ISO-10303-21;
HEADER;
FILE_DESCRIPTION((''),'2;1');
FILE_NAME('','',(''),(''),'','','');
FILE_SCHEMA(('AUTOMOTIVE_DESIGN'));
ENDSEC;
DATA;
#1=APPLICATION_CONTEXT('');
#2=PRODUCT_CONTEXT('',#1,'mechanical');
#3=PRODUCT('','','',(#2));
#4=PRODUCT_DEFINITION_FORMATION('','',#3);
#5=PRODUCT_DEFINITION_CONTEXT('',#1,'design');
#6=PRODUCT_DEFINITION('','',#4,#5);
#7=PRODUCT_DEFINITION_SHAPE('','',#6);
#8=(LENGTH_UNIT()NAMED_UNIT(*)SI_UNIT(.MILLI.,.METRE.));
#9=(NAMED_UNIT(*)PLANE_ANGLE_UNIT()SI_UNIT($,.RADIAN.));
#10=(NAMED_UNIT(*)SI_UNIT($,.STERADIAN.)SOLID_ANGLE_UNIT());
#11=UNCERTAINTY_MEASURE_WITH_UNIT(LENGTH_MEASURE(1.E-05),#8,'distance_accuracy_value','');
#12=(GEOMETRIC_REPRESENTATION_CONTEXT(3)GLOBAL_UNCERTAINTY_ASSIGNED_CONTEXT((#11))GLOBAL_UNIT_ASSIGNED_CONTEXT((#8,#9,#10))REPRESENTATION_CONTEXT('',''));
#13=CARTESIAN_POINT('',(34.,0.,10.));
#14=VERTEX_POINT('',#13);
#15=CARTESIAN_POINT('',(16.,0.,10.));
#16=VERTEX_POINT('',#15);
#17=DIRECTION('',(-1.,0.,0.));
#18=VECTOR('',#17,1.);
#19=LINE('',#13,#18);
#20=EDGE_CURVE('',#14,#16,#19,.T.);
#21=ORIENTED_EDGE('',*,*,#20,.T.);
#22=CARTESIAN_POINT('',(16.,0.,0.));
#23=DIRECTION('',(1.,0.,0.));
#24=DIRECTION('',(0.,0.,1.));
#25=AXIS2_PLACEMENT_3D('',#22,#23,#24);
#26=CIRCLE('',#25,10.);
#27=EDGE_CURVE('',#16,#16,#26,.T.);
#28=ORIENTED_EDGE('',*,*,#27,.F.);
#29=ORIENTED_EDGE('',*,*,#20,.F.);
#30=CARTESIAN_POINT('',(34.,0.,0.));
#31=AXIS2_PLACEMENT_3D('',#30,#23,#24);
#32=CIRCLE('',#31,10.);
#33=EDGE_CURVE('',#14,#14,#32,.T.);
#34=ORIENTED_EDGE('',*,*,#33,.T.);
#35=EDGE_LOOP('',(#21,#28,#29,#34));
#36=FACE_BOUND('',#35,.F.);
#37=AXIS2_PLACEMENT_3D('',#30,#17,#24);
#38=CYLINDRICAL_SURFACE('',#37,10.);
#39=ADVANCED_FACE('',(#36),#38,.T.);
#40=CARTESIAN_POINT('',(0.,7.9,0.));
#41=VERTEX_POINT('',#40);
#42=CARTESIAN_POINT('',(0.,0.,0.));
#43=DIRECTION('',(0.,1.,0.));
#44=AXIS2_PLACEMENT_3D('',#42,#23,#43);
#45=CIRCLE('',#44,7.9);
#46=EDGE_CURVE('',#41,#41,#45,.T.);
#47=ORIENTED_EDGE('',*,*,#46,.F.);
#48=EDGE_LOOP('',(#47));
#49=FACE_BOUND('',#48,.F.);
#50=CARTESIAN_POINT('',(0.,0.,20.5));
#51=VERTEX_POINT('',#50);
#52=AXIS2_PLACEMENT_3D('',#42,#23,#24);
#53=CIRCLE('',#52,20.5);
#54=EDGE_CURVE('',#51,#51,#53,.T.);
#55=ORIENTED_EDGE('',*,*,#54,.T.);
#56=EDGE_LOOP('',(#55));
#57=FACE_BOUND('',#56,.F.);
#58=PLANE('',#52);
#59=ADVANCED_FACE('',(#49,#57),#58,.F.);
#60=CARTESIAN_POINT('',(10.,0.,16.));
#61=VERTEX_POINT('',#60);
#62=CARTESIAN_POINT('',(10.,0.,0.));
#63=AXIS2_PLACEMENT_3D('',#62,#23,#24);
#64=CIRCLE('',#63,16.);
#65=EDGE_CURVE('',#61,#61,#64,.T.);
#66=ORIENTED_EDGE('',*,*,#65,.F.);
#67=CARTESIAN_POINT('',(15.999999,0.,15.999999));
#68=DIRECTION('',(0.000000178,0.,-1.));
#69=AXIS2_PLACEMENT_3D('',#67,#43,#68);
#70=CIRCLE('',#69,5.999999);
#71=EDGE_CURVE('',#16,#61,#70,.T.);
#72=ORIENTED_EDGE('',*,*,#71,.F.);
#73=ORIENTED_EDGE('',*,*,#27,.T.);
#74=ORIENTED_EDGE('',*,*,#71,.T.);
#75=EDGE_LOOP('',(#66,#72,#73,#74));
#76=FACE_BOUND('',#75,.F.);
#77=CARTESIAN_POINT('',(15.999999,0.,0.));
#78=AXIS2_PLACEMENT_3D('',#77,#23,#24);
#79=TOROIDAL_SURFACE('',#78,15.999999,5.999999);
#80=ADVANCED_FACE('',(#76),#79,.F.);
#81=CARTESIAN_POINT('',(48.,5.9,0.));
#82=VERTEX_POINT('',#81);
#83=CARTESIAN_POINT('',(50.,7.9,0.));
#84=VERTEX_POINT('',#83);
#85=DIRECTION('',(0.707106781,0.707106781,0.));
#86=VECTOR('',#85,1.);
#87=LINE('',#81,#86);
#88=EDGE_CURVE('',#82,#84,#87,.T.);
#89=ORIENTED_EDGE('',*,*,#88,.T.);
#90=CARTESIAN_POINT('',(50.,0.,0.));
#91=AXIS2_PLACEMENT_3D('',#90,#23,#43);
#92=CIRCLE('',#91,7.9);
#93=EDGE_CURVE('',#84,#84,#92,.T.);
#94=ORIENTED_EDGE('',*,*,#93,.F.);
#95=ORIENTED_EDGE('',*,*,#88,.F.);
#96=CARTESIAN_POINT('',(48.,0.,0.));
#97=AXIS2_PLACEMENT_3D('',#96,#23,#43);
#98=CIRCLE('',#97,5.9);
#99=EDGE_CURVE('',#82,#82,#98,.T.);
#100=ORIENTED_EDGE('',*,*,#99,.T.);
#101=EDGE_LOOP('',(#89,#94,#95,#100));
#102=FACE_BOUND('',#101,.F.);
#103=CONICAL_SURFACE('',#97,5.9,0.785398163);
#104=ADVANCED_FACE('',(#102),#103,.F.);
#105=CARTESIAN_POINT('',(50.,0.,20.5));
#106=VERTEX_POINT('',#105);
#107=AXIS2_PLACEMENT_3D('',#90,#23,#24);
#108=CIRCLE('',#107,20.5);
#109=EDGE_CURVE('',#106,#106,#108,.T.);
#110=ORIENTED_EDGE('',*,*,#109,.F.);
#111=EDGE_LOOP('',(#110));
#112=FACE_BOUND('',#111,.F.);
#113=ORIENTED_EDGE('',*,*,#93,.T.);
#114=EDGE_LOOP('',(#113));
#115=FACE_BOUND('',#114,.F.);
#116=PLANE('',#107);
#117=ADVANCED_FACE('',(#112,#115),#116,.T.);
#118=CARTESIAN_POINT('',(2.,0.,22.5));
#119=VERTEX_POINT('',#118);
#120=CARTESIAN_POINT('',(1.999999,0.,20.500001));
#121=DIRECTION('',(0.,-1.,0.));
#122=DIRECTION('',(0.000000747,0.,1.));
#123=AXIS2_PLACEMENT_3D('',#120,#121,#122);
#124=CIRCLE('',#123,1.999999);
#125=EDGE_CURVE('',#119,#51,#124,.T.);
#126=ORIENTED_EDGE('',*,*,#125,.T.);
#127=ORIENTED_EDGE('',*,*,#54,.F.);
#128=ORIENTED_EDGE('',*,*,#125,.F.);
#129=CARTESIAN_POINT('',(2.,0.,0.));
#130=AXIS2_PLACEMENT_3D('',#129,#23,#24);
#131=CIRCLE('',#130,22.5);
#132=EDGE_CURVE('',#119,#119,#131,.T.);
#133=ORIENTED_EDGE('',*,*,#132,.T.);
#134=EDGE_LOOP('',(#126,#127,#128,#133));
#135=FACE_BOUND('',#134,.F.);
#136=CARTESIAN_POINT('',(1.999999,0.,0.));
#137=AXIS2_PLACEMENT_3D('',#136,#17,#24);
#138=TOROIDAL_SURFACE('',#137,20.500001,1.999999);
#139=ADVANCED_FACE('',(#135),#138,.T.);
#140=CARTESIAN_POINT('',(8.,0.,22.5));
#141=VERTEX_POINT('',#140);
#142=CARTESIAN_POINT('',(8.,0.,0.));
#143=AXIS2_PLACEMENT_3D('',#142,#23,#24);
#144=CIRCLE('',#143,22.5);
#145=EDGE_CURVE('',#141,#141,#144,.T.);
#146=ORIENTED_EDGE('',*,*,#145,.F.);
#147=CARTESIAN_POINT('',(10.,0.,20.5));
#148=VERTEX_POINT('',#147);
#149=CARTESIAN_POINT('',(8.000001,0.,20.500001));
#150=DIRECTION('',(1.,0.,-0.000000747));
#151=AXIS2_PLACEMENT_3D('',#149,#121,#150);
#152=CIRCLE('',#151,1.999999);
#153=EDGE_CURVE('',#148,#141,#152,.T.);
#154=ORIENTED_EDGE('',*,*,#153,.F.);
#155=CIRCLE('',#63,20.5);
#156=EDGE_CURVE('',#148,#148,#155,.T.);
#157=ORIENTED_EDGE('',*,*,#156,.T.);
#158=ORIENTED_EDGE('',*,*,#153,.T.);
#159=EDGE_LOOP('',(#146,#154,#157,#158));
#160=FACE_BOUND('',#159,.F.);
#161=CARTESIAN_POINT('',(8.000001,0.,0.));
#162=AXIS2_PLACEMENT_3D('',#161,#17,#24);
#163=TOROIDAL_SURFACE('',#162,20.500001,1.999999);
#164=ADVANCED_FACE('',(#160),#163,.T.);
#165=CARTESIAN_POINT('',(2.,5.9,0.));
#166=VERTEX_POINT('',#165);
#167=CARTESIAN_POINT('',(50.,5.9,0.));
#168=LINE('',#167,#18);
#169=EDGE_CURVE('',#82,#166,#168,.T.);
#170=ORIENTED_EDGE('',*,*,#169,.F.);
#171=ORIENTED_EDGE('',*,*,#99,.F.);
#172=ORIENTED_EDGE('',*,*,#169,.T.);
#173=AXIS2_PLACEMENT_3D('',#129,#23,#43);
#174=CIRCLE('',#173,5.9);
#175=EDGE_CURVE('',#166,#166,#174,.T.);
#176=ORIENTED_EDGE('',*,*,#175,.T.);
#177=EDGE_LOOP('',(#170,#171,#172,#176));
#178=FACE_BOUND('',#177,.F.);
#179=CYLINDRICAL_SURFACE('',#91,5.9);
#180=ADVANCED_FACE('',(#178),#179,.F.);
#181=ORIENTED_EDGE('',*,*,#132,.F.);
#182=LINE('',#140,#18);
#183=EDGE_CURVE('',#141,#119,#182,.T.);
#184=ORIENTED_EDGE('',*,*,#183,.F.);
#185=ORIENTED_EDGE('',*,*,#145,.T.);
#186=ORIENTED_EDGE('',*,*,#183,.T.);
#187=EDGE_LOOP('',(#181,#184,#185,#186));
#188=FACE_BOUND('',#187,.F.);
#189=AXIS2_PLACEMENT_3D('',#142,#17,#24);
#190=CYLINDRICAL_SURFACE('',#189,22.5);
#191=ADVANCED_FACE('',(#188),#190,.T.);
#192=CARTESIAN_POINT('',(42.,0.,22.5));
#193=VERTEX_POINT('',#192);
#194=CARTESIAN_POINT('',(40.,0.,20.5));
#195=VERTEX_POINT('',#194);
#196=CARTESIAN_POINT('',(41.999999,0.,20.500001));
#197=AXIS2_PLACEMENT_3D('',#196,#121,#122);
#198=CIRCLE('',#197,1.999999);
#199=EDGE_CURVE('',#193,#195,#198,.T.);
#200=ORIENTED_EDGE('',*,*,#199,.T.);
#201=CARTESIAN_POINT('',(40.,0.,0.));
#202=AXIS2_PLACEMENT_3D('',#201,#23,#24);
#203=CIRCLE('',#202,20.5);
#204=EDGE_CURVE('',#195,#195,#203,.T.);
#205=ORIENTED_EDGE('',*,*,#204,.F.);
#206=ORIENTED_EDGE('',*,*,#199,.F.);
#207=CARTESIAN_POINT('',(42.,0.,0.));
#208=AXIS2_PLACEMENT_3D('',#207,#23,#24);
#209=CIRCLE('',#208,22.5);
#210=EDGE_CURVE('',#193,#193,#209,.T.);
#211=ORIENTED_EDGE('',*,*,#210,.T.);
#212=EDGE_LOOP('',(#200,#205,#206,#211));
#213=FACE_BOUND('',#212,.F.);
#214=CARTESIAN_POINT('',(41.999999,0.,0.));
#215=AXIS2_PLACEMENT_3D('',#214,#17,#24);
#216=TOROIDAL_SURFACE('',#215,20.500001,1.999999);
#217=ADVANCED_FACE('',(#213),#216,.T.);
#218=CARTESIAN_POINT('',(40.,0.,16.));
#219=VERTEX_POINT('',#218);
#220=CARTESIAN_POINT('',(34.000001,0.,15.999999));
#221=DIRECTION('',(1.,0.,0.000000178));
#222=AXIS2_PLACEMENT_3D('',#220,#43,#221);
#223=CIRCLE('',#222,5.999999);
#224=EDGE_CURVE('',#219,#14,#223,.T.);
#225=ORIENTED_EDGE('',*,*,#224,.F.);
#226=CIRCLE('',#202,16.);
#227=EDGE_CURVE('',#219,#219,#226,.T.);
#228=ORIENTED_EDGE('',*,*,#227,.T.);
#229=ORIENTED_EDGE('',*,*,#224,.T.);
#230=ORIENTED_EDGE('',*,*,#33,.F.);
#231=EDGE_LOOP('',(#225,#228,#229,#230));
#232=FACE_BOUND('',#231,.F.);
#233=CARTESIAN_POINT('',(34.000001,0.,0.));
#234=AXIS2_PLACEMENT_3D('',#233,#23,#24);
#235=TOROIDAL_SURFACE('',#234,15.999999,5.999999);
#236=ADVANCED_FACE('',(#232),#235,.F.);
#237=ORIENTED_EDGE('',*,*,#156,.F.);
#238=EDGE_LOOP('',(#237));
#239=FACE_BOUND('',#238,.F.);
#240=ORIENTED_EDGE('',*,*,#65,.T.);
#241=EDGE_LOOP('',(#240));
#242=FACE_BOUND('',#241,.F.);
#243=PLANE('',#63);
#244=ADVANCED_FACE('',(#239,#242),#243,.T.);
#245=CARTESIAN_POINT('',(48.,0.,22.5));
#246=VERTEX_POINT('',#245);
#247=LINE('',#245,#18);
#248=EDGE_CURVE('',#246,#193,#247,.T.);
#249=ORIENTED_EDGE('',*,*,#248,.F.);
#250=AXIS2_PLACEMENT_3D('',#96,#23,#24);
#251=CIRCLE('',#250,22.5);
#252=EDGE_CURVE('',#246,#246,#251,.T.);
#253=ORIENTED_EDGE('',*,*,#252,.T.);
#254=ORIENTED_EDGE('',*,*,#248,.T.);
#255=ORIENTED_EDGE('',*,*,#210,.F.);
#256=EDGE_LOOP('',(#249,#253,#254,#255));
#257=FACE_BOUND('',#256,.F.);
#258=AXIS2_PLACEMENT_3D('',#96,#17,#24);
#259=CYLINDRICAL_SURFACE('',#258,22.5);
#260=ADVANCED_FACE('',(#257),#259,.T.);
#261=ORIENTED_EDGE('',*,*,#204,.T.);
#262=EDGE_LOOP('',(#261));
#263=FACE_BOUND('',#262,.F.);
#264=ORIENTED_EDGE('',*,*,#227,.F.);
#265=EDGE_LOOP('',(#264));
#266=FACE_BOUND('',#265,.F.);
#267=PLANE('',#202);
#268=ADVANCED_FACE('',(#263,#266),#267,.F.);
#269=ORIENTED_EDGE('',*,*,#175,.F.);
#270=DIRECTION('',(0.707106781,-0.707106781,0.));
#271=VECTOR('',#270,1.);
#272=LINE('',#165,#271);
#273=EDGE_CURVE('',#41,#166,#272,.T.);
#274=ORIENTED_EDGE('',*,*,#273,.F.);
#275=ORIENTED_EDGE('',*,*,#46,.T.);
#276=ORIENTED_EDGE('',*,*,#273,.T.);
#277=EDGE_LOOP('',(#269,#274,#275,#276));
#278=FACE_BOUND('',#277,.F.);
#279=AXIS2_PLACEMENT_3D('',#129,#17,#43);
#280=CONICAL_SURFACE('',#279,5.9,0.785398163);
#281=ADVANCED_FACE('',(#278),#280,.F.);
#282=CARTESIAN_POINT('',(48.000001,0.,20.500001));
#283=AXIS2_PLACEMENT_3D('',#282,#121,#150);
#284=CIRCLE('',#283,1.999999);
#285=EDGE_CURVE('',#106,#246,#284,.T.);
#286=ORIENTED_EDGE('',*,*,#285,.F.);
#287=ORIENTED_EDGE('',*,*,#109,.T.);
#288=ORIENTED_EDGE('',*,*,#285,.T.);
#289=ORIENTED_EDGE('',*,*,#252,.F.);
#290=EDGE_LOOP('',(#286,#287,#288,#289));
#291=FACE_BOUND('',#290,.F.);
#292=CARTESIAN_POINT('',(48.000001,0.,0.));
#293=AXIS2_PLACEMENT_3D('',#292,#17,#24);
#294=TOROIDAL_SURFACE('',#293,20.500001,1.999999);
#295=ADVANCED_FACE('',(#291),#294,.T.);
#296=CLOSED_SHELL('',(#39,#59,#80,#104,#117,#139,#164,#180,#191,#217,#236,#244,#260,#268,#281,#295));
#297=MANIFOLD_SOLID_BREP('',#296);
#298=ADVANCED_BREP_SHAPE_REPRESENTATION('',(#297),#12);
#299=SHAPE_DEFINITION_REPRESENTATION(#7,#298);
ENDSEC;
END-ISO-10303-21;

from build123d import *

# Parameters (mm, degrees)
F2_R     = 5.9
F3_DEPTH = 50.001
F4_SIZE  = 2


with BuildPart() as f1:
    # F0 (on Front) → F1 (revolve)
    with BuildSketch(Plane.XZ):
        with BuildLine():
            ThreePointArc((2, 22.5), (0.585786, 21.914214), (0, 20.5))
            Line((0, 20.5), (0, 0))
            Line((0, 0), (50, 0))
            Line((50, 0), (50, 20.5))
            ThreePointArc((50, 20.5), (49.414214, 21.914214), (48, 22.5))
            Line((48, 22.5), (42, 22.5))
            ThreePointArc((42, 22.5), (40.585786, 21.914214), (40, 20.5))
            Line((40, 20.5), (40, 16))
            ThreePointArc((40, 16), (38.242641, 11.757359), (34, 10))
            Line((34, 10), (16, 10))
            ThreePointArc((16, 10), (11.757359, 11.757359), (10, 16))
            Line((10, 16), (10, 20.5))
            ThreePointArc((10, 20.5), (9.414214, 21.914214), (8, 22.5))
            Line((8, 22.5), (2, 22.5))
        make_face()
    revolve(axis=Axis((25, 0, 0), (1, 0, 0)))

    # F2 (on face) → F3 (cut, through all)
    with BuildSketch(Plane.YZ.offset(50)):
        Circle(F2_R)
    extrude(amount=-F3_DEPTH, mode=Mode.SUBTRACT)

    # F4
    f4_edges = [f1.edges().sort_by_distance(p)[0] for p in [
        (50, -5.9, 0),
        (25, 5.9, 0),
        (0, -5.9, 0),
    ]]
    chamfer(f4_edges, length=F4_SIZE)


solid = f1.part
